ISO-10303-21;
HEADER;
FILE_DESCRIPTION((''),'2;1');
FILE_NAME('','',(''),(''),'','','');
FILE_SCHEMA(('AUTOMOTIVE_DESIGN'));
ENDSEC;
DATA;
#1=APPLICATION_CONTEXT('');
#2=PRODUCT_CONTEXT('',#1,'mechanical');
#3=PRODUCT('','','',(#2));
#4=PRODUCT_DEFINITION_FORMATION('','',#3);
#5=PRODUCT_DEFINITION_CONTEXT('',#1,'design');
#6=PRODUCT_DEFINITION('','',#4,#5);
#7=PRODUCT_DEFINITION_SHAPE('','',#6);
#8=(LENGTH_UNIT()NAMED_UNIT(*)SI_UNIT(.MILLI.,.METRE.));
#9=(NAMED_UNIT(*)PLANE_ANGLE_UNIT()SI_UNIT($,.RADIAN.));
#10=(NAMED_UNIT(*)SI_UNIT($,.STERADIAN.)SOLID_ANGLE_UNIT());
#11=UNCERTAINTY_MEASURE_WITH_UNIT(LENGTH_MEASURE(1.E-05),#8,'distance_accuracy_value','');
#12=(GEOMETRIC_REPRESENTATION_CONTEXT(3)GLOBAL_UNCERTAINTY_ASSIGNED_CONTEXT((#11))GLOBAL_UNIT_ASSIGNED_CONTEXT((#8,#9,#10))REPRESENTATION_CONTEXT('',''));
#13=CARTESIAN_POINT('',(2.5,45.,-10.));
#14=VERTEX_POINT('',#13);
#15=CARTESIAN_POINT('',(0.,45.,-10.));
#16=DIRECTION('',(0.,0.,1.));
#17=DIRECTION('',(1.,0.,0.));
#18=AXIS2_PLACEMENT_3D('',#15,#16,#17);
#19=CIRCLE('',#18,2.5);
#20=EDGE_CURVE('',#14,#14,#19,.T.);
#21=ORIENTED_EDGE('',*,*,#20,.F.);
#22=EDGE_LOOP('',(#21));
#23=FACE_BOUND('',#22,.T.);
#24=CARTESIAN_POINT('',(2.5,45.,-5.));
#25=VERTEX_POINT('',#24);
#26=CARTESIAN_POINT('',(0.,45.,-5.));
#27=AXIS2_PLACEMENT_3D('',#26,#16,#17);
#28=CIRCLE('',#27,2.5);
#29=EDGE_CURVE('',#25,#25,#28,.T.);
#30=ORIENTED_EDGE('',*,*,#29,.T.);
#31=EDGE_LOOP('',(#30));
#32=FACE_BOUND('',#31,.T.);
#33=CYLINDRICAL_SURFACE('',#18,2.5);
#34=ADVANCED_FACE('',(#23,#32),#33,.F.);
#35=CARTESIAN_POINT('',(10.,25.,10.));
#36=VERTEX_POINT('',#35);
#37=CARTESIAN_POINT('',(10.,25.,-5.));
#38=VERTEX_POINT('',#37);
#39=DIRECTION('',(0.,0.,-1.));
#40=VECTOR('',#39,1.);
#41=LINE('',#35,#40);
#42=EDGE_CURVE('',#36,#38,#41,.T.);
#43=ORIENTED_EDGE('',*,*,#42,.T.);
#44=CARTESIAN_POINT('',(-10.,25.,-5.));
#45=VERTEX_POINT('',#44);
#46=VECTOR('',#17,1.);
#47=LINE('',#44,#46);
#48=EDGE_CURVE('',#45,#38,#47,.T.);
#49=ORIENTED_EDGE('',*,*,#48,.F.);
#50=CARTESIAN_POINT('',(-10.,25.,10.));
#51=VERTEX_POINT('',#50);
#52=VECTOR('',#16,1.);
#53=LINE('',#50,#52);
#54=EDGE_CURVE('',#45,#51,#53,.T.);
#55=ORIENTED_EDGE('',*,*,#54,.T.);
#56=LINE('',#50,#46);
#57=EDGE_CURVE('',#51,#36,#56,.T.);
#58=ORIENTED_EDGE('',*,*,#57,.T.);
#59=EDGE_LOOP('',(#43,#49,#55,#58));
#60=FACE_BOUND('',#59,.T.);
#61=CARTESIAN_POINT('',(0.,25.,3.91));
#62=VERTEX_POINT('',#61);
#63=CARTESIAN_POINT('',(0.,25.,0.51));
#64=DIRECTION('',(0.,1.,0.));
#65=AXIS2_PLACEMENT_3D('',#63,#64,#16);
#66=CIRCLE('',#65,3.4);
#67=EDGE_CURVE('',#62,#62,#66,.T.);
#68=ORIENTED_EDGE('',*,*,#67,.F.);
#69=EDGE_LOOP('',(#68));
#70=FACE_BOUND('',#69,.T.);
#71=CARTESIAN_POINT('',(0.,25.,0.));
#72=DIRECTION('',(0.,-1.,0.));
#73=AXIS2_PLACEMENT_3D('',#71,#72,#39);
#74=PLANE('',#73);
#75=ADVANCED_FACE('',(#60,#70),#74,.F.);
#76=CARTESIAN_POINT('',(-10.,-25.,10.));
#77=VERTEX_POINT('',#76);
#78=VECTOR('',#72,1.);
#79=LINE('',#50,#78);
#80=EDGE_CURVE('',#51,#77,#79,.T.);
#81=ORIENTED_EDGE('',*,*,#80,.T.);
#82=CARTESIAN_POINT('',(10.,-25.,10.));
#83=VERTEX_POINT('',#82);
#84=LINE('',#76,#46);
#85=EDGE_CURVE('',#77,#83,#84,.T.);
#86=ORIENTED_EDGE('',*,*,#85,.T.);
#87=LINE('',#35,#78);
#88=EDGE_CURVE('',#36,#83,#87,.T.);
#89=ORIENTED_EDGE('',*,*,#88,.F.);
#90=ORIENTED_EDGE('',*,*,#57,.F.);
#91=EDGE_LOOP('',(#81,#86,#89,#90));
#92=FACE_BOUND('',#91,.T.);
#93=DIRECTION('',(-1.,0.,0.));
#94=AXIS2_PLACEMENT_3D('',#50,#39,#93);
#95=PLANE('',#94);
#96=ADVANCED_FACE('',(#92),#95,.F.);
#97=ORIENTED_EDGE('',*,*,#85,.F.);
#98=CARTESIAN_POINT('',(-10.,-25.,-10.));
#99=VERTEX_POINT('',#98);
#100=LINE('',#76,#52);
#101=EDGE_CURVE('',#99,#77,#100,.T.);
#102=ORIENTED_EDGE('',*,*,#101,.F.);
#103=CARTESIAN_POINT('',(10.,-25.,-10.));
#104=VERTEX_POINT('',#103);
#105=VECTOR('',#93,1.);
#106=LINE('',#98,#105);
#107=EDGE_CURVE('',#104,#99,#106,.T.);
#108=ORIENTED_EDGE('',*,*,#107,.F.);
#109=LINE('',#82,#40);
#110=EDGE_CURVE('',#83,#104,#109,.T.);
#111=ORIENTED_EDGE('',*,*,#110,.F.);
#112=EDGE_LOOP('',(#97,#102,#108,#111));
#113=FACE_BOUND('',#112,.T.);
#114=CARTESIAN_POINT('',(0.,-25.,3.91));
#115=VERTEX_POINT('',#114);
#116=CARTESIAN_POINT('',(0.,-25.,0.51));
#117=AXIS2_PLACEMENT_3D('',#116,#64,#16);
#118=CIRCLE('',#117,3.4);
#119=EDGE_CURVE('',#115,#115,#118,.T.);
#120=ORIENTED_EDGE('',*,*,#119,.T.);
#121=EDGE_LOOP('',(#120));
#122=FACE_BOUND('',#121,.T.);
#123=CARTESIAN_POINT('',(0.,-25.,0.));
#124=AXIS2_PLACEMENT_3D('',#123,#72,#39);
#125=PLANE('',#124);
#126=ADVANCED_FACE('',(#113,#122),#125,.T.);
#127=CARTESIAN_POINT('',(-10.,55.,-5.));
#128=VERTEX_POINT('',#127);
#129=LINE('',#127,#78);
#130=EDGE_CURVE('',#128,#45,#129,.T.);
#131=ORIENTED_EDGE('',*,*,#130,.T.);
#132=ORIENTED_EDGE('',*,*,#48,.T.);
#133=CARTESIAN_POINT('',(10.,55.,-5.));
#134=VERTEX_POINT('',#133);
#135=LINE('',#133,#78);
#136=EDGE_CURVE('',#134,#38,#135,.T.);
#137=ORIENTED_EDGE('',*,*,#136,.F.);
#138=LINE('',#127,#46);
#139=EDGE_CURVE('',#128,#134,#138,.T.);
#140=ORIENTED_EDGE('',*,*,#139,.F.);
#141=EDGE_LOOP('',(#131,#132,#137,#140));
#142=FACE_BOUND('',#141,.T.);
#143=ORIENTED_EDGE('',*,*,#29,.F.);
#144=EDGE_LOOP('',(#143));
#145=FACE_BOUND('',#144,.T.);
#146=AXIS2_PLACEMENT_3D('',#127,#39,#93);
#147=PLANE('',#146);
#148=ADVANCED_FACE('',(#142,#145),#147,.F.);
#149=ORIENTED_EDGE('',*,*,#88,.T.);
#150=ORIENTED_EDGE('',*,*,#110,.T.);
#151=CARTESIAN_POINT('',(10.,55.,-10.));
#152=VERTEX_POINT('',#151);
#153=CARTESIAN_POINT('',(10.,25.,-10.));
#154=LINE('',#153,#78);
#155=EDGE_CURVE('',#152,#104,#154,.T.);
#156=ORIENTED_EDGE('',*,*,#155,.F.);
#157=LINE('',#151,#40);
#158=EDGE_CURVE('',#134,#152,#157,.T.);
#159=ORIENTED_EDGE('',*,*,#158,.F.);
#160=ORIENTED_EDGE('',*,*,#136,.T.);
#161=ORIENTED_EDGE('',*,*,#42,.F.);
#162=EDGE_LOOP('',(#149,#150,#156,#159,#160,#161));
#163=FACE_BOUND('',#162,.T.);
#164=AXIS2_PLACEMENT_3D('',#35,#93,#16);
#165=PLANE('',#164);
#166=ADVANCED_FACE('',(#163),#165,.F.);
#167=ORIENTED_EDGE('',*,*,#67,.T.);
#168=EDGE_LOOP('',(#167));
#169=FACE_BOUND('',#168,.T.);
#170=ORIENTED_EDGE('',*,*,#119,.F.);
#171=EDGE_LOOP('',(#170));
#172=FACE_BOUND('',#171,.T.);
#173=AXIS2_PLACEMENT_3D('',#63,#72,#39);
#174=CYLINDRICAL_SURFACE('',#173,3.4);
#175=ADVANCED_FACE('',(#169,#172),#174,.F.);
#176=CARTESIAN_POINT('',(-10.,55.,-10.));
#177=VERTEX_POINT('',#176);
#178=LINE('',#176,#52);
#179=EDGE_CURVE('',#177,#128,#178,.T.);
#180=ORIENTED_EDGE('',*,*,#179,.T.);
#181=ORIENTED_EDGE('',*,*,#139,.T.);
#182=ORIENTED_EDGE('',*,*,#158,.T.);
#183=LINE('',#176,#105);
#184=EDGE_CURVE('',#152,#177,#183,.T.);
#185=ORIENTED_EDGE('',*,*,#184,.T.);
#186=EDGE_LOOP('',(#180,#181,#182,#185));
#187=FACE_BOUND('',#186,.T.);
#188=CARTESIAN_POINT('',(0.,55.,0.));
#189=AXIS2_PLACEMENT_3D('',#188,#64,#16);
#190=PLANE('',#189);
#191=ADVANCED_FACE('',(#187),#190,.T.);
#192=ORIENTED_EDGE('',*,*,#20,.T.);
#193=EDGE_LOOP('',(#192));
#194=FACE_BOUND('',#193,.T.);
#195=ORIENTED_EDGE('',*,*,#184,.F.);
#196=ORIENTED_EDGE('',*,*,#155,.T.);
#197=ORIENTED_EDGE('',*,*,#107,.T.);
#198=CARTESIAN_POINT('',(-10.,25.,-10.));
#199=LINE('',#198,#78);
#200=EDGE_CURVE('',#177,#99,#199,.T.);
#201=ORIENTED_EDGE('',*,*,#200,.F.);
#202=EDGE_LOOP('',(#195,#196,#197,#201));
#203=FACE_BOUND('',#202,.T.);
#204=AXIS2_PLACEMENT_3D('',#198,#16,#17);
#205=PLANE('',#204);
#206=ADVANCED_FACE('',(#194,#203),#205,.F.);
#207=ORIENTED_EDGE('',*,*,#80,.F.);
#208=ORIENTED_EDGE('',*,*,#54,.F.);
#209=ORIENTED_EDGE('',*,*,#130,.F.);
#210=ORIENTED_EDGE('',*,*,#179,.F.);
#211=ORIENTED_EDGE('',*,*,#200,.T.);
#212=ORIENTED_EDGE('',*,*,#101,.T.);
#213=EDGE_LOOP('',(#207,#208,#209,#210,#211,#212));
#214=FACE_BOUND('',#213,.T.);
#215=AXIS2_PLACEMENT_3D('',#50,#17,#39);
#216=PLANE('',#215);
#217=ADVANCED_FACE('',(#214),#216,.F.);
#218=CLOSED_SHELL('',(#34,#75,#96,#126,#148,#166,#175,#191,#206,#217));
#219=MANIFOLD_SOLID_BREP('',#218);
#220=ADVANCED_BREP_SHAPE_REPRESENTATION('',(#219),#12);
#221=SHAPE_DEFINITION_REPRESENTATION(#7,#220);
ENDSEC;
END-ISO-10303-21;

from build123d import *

# Parameters (mm, degrees)
SKETCH1_W           = 20
SKETCH1_H           = 20
SKETCH1_R           = 3.4
BOSS_EXTRUDE1_DEPTH = 25
SKETCH2_W           = 20
SKETCH2_H           = 5
BOSS_EXTRUDE2_DEPTH = 30
SKETCH3_R           = 2.5
CUT_EXTRUDE1_DEPTH  = 58.879184514


with BuildPart() as part:
    # Sketch1 → Boss-Extrude1 (new, symmetric)
    with BuildSketch(Plane(origin=(0, 0, 0), x_dir=(1, 0, 0), z_dir=(0, 1, 0))):
        Rectangle(SKETCH1_W, SKETCH1_H)
        with Locations(Location((0, -0.51, 0), (0, 0, 270))):
            Circle(SKETCH1_R, mode=Mode.SUBTRACT)
    extrude(amount=BOSS_EXTRUDE1_DEPTH, both=True)

    # Sketch2 → Boss-Extrude2 (add)
    with BuildSketch(Plane(origin=(0, 25, 0), x_dir=(1, 0, 0), z_dir=(0, 1, 0))):
        with Locations((0, 7.5)):
            Rectangle(SKETCH2_W, SKETCH2_H)
    extrude(amount=BOSS_EXTRUDE2_DEPTH)

    # Sketch3 → Cut-Extrude1 (cut, through all)
    with BuildSketch(Plane.XY.offset(-5)):
        with Locations((0, 45)):
            Circle(SKETCH3_R)
    extrude(amount=-CUT_EXTRUDE1_DEPTH, mode=Mode.SUBTRACT)


solid = part.part
